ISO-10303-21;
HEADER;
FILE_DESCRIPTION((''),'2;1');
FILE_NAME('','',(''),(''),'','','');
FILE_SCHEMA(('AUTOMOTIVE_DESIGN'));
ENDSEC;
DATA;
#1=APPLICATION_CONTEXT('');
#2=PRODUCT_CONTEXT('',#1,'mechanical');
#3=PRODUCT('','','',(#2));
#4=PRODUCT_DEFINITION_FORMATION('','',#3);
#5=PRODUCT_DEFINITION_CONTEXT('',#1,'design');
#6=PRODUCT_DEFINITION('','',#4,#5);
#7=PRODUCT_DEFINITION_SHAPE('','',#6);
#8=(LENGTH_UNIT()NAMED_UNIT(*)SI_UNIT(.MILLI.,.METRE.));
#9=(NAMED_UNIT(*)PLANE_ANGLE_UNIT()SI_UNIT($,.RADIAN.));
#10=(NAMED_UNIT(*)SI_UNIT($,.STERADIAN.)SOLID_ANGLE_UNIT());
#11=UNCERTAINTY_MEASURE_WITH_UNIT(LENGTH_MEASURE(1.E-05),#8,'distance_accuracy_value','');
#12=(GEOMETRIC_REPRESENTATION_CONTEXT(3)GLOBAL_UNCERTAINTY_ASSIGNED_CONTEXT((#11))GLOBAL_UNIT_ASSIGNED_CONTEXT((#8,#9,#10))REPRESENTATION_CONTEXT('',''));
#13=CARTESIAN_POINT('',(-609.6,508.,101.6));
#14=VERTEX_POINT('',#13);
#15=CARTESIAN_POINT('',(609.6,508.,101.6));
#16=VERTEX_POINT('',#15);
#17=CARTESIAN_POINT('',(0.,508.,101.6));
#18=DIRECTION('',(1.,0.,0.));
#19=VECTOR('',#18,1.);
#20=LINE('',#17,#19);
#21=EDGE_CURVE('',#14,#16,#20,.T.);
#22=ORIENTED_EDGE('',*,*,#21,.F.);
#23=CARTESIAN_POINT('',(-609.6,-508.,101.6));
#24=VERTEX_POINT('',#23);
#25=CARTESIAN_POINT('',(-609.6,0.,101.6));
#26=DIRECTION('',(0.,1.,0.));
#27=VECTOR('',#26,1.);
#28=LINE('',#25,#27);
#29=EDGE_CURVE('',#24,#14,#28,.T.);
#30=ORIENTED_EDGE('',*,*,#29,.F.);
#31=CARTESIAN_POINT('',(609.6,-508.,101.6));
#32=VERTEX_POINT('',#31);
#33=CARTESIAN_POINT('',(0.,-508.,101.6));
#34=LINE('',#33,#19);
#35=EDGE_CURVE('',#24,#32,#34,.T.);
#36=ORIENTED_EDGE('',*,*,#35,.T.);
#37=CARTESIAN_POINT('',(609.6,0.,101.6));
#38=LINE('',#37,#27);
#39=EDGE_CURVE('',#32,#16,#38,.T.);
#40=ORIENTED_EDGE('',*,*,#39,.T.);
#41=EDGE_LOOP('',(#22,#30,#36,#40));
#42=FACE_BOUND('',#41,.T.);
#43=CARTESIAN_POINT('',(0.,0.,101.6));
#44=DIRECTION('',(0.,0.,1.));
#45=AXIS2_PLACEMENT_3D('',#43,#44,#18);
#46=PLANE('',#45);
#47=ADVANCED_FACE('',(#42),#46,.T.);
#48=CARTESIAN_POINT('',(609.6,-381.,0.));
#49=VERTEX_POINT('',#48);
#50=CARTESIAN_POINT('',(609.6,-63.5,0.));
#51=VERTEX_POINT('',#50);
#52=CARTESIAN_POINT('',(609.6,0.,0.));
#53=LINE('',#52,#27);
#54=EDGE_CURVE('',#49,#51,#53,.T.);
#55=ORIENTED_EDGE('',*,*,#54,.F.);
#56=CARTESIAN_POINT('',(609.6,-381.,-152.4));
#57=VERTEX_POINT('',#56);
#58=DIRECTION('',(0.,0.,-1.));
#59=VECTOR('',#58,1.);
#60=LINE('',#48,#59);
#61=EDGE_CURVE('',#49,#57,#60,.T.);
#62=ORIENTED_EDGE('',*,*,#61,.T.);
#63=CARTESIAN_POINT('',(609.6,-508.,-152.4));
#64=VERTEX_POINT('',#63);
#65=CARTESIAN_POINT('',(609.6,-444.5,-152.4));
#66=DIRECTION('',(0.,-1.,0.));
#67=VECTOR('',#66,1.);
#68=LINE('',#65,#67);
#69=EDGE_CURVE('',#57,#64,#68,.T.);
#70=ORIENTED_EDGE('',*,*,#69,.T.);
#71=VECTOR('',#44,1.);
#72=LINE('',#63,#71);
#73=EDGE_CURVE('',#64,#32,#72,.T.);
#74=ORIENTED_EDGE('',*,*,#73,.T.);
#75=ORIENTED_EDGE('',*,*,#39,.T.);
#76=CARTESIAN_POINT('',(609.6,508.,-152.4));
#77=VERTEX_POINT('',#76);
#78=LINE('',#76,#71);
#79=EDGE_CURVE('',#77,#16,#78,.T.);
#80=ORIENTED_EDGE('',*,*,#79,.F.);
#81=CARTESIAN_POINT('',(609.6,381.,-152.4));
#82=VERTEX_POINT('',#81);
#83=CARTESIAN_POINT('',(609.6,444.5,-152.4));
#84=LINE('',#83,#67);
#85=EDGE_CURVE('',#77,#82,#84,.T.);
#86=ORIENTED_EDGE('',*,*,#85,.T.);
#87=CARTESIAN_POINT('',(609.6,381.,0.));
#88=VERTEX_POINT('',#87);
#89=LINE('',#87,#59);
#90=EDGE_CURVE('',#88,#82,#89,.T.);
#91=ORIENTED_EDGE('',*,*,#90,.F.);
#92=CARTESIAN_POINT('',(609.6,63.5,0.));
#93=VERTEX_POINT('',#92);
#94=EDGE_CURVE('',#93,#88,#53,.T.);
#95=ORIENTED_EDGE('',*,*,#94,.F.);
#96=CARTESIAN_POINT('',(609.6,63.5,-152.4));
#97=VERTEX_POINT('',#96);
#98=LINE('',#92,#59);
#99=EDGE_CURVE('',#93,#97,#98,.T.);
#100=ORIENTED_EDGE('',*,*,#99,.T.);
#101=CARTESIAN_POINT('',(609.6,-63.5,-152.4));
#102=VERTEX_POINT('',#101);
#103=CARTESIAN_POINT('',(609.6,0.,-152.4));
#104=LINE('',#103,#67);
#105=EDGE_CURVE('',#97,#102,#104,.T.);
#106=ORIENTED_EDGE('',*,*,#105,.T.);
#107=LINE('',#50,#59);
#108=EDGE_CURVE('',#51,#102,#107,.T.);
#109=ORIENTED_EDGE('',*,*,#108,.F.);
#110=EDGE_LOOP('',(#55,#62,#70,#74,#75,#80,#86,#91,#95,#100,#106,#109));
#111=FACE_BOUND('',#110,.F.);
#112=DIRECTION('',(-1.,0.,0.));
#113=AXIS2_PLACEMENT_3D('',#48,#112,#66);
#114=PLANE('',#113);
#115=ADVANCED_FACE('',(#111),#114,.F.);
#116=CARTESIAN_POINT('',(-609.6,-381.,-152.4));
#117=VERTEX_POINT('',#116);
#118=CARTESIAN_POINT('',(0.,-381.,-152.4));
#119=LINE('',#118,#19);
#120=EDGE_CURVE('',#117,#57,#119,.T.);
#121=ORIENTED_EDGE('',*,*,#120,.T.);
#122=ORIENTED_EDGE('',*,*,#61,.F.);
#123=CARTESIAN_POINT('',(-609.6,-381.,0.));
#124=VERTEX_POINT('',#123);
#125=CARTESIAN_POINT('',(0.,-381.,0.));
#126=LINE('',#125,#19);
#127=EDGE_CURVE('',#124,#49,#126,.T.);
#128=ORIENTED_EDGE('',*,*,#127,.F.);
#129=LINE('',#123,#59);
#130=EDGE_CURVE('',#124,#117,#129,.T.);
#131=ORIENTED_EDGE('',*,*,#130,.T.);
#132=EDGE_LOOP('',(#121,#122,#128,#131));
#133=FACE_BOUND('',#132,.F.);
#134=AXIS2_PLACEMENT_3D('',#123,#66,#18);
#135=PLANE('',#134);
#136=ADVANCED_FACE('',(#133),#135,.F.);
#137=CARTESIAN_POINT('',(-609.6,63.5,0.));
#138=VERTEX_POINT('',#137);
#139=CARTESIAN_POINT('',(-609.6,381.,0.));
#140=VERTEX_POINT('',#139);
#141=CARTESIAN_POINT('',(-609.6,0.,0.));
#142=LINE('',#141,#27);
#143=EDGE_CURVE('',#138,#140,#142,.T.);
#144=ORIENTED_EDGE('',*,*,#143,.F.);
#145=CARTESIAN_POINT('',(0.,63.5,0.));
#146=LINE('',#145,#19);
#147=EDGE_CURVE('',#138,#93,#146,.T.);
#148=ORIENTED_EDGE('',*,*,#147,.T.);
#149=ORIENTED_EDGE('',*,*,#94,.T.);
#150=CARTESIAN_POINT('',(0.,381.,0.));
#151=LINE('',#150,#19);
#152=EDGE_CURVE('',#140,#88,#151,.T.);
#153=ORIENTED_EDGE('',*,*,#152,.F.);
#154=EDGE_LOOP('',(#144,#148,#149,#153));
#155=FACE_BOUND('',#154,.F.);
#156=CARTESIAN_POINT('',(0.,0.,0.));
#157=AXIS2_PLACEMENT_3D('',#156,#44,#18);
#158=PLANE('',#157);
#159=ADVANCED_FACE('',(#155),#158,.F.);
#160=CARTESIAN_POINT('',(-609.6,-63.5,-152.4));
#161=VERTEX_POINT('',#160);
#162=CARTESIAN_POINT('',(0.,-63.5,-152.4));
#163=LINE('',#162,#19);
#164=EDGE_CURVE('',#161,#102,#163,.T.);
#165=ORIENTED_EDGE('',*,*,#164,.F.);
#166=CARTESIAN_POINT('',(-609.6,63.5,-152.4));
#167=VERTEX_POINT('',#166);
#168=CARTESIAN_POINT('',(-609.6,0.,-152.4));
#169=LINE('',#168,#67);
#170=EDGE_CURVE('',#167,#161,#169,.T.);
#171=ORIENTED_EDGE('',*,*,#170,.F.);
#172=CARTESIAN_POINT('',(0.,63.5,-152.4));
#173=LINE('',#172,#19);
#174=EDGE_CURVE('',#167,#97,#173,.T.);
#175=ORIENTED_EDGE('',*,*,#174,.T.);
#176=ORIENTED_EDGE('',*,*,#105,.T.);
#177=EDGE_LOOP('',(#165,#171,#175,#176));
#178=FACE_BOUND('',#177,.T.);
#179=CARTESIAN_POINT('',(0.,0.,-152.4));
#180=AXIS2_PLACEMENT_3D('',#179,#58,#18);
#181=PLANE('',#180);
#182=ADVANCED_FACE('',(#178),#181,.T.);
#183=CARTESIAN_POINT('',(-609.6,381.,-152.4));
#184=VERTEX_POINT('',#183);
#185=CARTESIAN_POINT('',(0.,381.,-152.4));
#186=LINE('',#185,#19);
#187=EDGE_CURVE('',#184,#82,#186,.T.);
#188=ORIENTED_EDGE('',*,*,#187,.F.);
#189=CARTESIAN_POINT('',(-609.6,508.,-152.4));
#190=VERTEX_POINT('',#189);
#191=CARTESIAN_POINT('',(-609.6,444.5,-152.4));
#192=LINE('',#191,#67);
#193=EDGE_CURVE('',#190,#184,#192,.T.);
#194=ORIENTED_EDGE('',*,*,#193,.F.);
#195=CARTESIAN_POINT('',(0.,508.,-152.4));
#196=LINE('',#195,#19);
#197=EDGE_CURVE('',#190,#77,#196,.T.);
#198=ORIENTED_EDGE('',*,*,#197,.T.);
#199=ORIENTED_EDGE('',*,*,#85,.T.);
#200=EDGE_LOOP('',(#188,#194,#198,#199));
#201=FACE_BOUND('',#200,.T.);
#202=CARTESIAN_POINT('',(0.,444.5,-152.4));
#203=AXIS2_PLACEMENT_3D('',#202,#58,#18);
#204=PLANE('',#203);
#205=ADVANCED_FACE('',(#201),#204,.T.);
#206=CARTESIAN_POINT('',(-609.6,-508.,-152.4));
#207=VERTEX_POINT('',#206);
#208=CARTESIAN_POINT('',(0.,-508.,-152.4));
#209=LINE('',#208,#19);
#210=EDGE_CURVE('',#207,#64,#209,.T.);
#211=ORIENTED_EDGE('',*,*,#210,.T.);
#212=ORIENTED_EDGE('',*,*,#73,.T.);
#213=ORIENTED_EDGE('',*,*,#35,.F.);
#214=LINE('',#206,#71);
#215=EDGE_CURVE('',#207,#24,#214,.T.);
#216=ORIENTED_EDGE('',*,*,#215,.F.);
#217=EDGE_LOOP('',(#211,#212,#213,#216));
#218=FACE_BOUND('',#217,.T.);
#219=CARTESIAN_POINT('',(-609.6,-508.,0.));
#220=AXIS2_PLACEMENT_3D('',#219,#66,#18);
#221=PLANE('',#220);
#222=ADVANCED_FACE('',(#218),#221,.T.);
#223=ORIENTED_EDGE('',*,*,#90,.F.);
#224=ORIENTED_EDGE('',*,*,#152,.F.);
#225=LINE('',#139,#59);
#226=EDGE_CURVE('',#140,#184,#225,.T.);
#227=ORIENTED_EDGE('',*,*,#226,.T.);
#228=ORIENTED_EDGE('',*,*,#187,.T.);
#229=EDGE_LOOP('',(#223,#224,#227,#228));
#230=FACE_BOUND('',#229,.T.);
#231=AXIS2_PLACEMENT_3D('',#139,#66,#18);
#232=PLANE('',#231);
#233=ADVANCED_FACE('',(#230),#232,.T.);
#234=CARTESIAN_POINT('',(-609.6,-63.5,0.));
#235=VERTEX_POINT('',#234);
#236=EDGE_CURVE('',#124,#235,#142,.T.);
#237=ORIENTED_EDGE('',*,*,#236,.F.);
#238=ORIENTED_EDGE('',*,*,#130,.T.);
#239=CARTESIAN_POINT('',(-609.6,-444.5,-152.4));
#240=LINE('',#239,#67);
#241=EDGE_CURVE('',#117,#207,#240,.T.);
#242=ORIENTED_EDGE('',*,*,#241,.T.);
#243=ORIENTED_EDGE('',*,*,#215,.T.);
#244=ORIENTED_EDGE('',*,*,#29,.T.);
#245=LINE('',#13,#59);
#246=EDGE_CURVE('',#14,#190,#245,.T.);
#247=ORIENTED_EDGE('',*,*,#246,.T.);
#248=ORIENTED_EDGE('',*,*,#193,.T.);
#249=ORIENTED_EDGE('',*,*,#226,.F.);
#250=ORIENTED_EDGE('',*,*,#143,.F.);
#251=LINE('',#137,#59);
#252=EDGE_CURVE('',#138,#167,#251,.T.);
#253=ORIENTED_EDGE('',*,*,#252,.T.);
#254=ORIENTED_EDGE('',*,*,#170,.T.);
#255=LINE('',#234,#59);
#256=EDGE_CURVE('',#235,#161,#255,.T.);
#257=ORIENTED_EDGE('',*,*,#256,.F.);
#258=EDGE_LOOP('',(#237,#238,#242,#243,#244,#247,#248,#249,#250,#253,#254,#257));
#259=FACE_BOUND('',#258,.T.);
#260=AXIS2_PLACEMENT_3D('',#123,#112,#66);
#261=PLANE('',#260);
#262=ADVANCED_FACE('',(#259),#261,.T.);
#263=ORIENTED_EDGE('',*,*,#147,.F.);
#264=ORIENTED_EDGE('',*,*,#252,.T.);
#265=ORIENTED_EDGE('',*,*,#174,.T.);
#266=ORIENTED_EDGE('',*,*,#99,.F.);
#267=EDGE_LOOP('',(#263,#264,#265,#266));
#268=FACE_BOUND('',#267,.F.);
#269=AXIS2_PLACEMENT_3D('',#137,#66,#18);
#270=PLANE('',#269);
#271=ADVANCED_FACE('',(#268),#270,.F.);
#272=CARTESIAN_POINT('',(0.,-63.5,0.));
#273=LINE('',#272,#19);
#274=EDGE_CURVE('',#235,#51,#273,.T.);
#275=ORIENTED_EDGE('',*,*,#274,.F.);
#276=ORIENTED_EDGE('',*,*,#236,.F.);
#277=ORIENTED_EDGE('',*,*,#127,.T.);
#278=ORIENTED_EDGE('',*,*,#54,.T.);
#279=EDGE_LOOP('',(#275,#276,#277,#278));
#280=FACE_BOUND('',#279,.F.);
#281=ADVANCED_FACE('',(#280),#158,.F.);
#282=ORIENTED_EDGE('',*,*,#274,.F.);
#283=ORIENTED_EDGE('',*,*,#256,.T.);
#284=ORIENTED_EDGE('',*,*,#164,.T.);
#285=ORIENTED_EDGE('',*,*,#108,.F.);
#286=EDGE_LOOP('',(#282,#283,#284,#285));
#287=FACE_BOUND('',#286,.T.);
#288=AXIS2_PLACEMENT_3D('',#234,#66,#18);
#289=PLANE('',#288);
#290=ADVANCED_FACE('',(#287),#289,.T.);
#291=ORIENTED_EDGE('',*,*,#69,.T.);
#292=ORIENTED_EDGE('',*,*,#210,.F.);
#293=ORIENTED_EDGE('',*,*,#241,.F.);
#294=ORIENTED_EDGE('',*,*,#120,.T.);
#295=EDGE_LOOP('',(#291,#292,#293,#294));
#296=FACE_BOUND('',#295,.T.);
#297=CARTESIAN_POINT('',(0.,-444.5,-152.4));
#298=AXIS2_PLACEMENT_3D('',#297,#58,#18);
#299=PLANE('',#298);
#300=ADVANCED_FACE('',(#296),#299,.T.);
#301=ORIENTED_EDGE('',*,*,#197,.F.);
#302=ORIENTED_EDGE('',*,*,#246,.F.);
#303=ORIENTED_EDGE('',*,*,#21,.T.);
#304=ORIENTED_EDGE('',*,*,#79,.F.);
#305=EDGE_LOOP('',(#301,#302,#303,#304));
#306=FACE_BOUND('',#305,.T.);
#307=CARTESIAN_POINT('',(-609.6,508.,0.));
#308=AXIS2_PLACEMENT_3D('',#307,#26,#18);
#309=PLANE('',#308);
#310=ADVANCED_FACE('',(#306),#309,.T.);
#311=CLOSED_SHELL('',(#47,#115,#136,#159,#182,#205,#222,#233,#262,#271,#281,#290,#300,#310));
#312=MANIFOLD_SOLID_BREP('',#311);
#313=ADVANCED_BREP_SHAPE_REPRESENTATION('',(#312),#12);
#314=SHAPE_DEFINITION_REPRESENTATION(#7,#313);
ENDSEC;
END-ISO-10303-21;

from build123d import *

# Parameters (mm, degrees)
F0_W     = 1219.2
F0_H     = 1016
F1_DEPTH = 101.6
F2_W     = 1219.2
F2_H     = 127
F3_DEPTH = 152.4


with BuildPart() as f1:
    # F0 (on Top) → F1 (new body)
    with BuildSketch(Plane.XY):
        Rectangle(F0_W, F0_H)
    extrude(amount=F1_DEPTH)

    # F2 (on face) → F3 (join)
    with BuildSketch(Plane(origin=(0, 0, 0), x_dir=(1, 0, 0), z_dir=(0, 0, -1))):
        with Locations((0, 444.5)):
            Rectangle(F2_W, F2_H)
        with Locations((0, -444.5)):
            Rectangle(F2_W, F2_H)
        Rectangle(F2_W, F2_H)
    extrude(amount=F3_DEPTH)


solid = f1.part
